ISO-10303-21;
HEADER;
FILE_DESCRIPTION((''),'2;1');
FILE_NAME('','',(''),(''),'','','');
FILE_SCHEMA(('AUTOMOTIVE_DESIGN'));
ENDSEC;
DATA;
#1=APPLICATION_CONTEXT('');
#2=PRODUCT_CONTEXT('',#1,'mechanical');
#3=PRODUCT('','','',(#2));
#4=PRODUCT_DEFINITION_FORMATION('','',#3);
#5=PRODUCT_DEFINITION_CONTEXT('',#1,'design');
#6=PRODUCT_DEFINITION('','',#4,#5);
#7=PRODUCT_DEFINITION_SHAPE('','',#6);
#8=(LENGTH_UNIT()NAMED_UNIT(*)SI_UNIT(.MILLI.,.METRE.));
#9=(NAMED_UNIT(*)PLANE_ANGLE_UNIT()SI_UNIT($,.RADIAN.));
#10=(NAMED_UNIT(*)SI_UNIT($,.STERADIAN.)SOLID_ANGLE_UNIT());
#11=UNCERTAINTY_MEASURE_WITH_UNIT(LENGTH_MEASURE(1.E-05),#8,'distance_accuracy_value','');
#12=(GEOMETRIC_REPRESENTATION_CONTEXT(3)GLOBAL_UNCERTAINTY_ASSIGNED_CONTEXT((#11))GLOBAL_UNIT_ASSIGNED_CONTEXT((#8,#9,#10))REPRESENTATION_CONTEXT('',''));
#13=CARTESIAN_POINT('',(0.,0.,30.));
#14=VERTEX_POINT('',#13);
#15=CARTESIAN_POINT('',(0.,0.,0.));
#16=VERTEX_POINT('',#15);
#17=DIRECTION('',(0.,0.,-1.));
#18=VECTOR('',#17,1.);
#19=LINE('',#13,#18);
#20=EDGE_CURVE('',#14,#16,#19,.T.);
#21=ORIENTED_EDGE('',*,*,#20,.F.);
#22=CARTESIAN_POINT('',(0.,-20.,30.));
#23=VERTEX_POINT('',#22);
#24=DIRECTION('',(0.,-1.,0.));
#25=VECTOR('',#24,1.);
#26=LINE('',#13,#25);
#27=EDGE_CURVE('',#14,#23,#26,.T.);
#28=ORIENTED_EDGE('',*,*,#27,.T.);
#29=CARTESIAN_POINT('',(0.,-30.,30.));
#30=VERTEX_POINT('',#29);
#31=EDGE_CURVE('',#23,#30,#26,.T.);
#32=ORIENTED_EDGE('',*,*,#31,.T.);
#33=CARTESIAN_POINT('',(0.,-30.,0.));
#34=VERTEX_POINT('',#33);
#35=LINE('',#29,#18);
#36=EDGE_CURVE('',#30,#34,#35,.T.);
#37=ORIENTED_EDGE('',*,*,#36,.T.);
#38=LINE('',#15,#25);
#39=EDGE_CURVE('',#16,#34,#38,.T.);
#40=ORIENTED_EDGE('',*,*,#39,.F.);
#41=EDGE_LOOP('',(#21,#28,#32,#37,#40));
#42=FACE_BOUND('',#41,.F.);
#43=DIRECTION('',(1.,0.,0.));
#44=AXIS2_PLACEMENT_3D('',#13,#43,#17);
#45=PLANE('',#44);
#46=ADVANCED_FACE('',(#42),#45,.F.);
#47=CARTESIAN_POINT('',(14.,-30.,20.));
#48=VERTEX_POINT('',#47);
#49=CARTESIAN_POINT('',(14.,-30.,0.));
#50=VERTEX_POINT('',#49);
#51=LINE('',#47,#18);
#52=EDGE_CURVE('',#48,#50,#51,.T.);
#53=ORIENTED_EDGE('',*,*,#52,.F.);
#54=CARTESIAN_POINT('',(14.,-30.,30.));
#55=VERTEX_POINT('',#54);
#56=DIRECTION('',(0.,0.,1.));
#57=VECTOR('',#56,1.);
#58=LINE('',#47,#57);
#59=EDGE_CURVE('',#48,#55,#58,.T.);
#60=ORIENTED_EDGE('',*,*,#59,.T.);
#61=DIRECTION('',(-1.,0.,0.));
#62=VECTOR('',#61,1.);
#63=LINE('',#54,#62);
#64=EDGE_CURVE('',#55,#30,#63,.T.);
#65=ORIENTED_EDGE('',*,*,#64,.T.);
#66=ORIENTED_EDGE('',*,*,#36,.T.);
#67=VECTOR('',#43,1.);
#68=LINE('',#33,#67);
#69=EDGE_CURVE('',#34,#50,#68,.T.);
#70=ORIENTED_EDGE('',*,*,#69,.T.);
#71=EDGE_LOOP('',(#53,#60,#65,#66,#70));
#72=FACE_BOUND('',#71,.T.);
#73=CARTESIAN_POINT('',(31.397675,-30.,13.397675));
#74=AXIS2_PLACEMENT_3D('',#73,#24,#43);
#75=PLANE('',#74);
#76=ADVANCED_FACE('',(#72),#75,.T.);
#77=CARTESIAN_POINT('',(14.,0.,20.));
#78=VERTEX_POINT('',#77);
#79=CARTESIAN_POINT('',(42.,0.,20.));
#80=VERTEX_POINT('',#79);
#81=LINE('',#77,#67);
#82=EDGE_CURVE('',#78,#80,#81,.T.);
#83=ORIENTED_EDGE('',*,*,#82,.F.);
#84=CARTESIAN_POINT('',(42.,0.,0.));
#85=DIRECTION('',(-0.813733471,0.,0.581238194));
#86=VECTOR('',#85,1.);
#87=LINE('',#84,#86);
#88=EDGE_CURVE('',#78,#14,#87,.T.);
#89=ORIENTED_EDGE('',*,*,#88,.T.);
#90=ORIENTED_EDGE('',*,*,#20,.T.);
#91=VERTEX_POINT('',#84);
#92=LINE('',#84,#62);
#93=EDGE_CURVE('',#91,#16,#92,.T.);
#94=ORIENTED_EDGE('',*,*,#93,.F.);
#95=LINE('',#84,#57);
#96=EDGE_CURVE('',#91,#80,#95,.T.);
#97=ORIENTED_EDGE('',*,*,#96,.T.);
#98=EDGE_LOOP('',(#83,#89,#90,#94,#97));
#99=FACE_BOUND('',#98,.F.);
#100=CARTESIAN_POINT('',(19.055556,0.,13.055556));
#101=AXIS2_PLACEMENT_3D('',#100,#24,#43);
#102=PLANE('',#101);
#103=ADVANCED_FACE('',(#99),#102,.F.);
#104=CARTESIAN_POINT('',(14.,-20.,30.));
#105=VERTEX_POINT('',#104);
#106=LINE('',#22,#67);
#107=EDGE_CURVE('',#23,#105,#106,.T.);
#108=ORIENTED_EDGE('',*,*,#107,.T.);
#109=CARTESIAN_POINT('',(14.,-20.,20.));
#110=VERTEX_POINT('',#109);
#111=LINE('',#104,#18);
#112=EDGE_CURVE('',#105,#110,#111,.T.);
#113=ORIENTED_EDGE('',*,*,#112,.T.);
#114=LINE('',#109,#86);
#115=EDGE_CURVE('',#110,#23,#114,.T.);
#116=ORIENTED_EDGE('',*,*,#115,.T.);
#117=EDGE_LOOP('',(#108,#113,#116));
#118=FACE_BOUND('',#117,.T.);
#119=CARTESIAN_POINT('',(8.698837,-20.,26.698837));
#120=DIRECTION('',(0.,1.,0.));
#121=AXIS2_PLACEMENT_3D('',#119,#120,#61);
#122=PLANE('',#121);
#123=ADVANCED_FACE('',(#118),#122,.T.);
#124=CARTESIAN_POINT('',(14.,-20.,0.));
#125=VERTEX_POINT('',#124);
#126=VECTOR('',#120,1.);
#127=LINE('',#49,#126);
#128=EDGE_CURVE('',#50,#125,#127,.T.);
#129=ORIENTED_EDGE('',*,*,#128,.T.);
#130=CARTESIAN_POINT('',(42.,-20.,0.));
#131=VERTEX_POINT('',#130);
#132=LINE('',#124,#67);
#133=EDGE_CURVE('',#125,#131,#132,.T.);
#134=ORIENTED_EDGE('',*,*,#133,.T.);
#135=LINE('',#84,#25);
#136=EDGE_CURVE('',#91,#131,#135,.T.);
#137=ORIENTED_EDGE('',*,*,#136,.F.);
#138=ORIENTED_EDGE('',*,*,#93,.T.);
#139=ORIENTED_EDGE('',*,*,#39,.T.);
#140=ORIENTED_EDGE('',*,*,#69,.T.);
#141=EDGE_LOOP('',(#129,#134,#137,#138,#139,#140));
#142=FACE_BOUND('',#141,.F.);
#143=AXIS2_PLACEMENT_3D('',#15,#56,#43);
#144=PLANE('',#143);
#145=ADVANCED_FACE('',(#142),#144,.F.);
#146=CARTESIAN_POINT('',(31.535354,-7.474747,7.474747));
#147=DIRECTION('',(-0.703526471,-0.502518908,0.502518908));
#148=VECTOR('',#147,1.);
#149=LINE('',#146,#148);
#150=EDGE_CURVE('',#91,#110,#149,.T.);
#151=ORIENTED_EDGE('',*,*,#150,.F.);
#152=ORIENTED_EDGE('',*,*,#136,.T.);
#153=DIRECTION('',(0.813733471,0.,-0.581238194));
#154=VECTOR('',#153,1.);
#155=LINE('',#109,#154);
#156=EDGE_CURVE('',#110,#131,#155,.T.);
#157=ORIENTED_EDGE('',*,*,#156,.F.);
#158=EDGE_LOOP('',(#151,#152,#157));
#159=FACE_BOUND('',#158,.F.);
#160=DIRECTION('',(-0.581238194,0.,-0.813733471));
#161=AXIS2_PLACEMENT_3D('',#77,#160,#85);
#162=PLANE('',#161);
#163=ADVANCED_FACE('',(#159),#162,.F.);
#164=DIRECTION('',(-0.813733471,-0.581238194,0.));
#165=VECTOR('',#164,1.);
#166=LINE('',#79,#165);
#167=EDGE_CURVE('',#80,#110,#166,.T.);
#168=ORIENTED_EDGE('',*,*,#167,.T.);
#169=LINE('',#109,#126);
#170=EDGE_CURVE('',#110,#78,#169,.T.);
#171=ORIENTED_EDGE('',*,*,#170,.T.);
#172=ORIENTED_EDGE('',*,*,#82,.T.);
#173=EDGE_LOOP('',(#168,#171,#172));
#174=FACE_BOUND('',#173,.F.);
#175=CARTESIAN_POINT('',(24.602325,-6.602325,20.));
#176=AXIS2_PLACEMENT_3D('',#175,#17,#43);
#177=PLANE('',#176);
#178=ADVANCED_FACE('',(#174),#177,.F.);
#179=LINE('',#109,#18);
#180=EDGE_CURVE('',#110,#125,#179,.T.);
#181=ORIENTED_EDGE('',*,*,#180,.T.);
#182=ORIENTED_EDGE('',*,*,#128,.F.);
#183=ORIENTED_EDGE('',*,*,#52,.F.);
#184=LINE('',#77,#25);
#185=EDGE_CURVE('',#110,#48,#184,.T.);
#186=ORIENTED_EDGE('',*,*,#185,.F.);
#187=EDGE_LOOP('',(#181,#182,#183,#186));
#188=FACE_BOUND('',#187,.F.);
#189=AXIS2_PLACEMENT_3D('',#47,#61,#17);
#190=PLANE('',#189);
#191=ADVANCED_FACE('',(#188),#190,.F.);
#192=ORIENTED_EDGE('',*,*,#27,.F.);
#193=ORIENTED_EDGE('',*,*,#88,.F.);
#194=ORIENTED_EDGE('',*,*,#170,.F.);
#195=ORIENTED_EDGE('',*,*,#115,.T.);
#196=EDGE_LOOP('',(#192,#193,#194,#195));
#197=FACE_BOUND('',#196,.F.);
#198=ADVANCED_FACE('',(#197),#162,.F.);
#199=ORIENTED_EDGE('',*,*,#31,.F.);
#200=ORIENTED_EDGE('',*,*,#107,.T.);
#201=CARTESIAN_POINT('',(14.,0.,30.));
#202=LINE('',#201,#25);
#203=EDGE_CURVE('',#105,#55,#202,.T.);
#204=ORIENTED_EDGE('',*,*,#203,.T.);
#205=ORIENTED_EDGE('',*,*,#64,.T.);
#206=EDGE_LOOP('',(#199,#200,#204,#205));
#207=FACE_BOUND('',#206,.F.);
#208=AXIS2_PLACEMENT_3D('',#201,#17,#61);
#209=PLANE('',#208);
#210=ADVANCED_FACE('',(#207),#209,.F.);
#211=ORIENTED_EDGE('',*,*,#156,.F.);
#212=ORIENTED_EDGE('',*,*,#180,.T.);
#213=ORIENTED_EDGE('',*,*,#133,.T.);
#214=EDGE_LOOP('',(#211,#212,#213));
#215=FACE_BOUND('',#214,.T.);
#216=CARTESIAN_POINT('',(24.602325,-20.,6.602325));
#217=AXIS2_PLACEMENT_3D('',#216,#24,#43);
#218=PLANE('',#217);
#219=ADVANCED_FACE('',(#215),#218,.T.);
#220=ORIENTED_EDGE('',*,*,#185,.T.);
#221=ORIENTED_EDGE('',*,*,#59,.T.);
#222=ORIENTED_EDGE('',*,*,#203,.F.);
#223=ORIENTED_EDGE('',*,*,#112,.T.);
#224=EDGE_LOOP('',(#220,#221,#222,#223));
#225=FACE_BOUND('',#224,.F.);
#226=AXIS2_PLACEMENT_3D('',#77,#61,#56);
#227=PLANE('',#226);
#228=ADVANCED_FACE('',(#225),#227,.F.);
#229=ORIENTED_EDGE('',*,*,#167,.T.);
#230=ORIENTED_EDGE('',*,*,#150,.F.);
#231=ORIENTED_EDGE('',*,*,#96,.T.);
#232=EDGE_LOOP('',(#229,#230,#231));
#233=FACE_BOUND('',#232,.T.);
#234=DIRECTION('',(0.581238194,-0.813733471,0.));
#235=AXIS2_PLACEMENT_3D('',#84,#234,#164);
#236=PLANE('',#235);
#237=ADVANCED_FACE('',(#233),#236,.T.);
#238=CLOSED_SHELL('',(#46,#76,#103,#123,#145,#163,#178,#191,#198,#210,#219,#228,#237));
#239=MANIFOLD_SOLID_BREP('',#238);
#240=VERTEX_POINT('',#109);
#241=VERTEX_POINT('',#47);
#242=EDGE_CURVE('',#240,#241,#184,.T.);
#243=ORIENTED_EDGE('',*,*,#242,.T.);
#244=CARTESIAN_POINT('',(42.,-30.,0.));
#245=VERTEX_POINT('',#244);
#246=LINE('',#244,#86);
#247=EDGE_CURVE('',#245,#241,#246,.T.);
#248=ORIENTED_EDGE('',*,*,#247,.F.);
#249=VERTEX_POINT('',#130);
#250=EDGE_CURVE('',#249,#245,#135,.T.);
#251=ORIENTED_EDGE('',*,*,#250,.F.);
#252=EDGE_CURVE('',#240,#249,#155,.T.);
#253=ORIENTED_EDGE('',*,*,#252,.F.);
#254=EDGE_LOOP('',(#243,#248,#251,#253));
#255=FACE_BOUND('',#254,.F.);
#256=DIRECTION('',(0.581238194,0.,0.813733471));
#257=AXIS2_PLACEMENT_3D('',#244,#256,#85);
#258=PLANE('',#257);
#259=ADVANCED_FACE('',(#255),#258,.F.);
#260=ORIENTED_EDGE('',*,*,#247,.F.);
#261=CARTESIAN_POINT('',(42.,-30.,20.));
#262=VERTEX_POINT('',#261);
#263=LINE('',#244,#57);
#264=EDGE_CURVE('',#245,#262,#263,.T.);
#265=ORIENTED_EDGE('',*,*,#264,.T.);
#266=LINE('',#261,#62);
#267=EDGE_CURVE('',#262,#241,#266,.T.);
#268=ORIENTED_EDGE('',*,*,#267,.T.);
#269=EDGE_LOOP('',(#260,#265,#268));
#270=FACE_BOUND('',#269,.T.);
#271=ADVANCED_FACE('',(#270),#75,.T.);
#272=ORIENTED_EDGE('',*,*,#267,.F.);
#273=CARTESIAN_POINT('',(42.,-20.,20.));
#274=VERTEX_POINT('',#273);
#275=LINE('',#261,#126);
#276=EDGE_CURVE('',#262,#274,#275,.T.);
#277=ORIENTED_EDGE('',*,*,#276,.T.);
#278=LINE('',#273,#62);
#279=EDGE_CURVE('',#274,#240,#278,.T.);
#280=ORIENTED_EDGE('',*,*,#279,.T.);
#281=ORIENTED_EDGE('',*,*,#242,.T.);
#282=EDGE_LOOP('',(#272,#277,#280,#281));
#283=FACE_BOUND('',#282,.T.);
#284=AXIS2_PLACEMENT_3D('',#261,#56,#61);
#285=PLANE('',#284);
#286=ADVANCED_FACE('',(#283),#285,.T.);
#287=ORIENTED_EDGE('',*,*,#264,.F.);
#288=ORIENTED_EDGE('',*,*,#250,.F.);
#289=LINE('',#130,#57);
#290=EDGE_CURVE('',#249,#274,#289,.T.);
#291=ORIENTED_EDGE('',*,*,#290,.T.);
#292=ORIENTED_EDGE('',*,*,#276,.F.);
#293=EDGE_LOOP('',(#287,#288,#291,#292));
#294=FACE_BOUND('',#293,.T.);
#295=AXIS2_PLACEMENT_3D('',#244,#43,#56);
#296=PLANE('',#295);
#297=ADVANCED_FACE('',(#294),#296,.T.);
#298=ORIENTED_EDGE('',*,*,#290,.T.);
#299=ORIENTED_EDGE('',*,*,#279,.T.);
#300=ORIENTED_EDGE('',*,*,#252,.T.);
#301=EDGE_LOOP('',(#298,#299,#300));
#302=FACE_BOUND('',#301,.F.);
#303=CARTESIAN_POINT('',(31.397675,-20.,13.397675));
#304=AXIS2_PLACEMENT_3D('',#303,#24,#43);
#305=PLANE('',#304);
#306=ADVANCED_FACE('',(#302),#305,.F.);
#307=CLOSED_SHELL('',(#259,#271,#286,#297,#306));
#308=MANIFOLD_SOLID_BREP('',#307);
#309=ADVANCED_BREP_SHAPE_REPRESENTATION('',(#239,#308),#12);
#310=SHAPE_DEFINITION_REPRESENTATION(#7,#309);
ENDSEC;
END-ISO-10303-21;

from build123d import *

# Parameters (mm, degrees)
F1_DEPTH = 30
F3_DEPTH = 20
F5_DEPTH = 30.001
F7_DEPTH = 20
F8_DEPTH = 10
F9_DEPTH = 10


with BuildPart() as f1:
    # F0 (on Front) → F1 (new body)
    with BuildSketch(Plane.XZ):
        Polygon((0, 30), (0, 0), (42, 0), (42, 20), (14, 20), (14, 30), align=None)
    extrude(amount=F1_DEPTH)

    # F2 (on face) → F3 (cut)
    with BuildSketch(Plane(origin=(0, 0, 0), x_dir=(-1, 0, 0), z_dir=(0, 1, 0))):
        Polygon((-14, 20), (0, 30), (-14, 30), align=None)
    extrude(amount=-F3_DEPTH, mode=Mode.SUBTRACT)

    # F4 (on face) → F5 (cut, through all)
    with BuildSketch(Plane.XZ.offset(30)):
        Polygon((42, 20), (14, 20), (42, 0), align=None)
    extrude(amount=-F5_DEPTH, mode=Mode.SUBTRACT)

    # F6 (on face) → F7 (join)
    with BuildSketch(Plane(origin=(0, 0, 0), x_dir=(1, 0, 0), z_dir=(0, 0, -1))):
        Polygon((14, 0), (42, 0), (14, 20), align=None)
    extrude(amount=-F7_DEPTH)

    # F4 (on face) → F8 (join)
    with BuildSketch(Plane.XZ.offset(30)):
        Polygon((42, 20), (14, 20), (42, 0), align=None)
    extrude(amount=-F8_DEPTH)

    # F4 (on face) → F9 (cut)
    with BuildSketch(Plane.XZ.offset(30)):
        Polygon((42, 0), (14, 20), (14, 0), align=None)
    extrude(amount=-F9_DEPTH, mode=Mode.SUBTRACT)


solid = f1.part
